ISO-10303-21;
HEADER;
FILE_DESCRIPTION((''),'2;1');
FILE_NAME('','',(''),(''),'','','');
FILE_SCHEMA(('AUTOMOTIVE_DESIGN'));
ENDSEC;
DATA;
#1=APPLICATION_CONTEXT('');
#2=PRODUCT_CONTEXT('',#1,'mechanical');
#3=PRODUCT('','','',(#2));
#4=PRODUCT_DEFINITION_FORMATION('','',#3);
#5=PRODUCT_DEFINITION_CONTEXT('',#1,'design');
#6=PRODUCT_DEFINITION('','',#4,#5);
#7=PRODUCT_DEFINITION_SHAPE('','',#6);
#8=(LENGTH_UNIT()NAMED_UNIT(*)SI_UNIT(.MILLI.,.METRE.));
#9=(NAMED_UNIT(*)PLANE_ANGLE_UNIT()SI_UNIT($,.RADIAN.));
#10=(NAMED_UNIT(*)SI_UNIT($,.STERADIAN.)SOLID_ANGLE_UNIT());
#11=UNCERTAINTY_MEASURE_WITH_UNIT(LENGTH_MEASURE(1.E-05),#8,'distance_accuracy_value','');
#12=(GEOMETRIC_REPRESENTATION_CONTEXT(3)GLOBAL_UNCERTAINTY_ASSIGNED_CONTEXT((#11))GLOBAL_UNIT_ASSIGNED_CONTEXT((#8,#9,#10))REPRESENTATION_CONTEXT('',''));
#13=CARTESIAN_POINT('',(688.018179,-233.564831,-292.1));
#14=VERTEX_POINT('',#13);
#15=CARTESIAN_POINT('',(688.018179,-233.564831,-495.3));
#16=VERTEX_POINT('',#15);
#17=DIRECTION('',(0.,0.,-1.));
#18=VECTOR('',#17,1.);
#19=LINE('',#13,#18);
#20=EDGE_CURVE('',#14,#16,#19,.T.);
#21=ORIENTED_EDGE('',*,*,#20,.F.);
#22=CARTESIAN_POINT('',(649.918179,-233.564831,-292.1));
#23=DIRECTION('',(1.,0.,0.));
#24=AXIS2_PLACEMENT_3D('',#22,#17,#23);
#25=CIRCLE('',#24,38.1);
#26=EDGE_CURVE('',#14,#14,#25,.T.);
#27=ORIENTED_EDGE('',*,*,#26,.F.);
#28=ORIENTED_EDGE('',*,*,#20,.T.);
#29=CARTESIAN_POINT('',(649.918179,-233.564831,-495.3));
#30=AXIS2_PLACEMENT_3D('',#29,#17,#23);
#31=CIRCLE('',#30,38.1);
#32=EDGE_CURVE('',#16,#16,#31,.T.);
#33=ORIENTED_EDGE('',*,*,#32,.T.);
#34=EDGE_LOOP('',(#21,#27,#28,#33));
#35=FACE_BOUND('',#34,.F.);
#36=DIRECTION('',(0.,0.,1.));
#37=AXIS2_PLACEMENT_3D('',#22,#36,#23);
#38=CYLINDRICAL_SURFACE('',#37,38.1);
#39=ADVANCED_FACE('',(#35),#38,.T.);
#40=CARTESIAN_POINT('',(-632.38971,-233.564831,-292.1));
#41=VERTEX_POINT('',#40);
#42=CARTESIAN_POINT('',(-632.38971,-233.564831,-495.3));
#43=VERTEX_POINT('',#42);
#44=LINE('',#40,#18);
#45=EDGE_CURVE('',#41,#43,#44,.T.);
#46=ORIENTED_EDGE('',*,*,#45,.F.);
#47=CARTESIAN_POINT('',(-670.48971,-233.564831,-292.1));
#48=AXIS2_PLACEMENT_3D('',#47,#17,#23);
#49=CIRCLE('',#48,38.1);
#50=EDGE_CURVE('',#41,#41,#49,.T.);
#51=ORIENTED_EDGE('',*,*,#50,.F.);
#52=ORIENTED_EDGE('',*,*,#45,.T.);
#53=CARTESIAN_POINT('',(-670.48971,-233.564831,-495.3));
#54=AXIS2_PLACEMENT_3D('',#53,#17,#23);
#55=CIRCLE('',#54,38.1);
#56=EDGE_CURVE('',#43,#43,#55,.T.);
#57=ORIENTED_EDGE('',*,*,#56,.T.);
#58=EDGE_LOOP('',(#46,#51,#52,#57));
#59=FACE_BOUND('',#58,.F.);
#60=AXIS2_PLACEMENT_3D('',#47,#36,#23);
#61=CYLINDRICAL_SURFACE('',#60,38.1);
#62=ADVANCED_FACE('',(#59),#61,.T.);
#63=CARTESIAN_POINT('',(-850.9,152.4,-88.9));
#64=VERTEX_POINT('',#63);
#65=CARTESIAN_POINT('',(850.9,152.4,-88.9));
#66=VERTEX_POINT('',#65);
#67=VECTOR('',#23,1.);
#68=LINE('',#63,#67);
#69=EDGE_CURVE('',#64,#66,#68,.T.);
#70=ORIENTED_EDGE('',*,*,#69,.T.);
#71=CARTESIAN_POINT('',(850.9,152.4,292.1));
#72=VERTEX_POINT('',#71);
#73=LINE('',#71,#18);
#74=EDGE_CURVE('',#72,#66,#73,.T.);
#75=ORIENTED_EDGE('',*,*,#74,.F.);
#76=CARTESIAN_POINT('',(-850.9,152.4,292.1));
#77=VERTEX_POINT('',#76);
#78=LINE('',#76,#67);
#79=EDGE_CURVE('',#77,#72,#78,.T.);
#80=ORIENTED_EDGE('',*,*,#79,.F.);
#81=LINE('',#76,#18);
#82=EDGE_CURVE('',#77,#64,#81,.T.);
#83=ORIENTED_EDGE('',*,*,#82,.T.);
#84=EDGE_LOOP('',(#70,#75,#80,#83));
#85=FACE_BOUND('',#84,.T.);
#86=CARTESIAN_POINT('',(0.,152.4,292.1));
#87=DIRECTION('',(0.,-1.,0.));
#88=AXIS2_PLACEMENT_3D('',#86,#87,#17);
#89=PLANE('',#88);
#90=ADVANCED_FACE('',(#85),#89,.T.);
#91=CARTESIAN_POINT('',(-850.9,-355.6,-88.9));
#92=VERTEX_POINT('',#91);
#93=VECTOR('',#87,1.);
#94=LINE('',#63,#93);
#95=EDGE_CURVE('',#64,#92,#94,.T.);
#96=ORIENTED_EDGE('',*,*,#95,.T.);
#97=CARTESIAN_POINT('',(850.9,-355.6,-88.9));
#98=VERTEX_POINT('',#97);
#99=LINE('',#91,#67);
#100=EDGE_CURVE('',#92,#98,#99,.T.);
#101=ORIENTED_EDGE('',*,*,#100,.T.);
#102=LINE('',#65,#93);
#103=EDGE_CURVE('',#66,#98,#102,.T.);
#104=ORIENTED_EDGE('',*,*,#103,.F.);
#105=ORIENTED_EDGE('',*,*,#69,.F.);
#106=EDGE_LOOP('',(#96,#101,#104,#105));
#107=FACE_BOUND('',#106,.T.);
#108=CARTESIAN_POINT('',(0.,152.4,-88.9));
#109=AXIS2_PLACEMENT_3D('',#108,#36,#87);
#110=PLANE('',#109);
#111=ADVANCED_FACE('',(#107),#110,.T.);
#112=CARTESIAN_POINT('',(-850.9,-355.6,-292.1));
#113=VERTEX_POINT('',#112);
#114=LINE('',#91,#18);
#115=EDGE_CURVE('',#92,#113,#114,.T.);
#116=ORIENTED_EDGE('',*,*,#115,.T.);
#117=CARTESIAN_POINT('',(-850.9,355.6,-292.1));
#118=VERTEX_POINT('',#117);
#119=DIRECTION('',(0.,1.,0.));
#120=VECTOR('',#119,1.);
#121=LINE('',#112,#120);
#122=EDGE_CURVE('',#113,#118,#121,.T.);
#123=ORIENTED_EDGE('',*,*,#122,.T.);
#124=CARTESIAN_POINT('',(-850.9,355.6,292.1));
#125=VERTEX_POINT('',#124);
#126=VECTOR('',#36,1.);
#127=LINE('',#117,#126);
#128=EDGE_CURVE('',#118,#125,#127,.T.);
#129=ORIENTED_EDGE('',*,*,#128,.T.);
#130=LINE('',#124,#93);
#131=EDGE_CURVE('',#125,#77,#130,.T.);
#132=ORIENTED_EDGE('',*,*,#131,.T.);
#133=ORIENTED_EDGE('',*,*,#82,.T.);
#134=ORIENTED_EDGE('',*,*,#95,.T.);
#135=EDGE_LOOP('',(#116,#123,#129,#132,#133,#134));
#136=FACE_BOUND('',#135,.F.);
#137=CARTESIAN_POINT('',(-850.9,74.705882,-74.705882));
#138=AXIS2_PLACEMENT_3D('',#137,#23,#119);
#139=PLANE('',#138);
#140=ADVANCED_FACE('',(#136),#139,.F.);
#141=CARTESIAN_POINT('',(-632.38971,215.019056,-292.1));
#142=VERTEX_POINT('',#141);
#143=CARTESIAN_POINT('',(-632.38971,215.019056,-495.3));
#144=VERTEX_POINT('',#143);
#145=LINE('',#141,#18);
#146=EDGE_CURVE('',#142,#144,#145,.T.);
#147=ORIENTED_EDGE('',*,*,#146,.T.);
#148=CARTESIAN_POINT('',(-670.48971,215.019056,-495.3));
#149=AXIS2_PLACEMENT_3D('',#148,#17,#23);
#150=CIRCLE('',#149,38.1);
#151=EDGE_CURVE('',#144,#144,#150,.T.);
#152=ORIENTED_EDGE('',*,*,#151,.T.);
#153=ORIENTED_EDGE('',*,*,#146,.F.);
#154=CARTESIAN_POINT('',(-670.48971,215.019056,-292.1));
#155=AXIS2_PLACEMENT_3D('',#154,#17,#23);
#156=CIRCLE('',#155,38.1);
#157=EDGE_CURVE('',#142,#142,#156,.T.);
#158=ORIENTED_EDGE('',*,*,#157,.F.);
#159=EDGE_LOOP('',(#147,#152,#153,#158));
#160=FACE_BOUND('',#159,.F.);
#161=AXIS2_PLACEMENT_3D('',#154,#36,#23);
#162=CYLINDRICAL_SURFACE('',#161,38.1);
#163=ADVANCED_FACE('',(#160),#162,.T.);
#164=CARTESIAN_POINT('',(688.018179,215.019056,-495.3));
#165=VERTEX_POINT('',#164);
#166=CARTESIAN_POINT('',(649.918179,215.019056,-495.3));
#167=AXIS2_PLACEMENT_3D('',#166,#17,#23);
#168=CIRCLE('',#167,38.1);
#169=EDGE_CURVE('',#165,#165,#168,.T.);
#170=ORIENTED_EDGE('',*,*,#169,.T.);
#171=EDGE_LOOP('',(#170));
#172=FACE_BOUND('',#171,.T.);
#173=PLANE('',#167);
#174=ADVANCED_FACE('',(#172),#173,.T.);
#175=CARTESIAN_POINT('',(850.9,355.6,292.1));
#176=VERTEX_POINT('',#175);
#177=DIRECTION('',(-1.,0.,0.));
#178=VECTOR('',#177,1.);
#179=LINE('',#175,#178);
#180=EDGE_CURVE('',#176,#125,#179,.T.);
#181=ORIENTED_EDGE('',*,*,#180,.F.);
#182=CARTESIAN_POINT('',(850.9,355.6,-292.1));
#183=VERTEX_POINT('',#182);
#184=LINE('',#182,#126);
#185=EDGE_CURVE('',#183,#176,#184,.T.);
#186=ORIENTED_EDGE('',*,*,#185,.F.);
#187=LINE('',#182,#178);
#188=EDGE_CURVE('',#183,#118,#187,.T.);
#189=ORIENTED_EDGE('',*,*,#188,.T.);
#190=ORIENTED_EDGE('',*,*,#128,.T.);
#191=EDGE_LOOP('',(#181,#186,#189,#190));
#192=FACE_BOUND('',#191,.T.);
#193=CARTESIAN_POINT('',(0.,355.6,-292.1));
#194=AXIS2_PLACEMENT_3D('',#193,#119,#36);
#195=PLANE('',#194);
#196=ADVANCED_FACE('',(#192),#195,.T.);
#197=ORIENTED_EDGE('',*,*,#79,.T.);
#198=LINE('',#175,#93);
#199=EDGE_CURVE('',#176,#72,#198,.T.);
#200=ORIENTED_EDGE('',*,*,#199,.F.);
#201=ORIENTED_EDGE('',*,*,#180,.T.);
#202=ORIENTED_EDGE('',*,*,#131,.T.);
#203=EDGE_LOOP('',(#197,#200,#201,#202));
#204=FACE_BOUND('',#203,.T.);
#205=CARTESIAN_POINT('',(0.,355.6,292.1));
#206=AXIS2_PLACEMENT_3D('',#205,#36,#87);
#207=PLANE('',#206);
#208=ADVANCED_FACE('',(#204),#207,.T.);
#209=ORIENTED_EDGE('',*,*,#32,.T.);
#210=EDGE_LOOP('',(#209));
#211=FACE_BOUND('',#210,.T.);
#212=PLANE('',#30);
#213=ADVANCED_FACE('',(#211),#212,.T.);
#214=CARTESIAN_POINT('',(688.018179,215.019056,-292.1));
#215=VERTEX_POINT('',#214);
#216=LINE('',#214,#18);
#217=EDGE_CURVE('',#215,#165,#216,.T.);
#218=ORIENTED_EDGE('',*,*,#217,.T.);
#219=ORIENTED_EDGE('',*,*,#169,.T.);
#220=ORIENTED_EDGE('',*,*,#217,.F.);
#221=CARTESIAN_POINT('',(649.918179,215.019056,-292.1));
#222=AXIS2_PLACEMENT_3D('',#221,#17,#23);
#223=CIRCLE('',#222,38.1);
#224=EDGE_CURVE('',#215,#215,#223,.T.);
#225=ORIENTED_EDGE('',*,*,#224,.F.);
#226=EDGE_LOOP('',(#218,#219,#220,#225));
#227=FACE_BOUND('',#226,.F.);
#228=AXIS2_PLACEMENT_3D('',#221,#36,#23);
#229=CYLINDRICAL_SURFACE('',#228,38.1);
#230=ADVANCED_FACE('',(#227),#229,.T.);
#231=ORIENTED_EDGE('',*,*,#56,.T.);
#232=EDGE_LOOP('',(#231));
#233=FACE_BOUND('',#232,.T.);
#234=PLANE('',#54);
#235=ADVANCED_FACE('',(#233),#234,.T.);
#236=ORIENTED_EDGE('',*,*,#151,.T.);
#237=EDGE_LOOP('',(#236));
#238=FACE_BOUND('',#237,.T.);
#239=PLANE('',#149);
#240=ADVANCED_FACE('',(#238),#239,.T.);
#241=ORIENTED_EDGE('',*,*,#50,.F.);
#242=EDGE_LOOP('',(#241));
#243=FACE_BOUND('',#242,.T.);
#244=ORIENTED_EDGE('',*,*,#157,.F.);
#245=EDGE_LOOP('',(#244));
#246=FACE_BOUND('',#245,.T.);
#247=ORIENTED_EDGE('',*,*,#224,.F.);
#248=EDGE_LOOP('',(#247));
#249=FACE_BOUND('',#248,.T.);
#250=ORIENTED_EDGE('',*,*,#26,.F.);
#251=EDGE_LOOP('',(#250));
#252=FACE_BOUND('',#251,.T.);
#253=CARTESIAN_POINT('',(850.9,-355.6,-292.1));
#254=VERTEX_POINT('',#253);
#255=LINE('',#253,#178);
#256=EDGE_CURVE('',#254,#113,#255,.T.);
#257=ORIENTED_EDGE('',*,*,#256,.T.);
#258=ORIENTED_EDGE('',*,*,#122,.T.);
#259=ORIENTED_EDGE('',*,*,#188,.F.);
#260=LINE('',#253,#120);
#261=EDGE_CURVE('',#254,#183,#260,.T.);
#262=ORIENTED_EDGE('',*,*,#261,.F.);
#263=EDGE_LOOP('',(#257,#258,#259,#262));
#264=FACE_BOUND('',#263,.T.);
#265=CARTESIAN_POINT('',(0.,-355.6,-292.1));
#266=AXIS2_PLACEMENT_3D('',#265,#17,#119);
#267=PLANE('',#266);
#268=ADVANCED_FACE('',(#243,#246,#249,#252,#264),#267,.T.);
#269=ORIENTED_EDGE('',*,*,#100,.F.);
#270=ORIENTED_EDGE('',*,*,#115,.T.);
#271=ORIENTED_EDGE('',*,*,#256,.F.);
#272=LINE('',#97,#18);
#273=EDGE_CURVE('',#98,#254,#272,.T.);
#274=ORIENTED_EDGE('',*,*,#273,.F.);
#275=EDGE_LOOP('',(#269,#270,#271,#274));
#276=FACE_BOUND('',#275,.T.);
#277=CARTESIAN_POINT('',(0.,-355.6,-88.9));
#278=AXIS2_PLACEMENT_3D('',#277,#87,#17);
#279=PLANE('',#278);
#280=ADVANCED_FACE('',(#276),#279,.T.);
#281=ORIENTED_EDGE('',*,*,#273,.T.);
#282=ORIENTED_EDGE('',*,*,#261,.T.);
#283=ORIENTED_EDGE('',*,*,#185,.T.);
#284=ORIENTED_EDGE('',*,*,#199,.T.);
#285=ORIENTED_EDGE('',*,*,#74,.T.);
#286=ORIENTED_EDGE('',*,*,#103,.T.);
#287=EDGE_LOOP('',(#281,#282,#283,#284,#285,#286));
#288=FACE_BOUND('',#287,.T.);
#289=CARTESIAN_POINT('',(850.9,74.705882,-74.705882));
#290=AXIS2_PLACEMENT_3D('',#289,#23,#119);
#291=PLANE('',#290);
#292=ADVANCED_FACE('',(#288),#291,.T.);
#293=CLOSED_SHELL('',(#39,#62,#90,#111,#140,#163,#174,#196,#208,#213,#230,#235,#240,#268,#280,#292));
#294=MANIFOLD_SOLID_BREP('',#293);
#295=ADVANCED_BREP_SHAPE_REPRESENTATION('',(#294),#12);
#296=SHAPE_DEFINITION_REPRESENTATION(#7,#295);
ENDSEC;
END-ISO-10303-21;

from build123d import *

# Parameters (mm, degrees)
F1_DEPTH = 850.9
F2_R     = 38.1
F3_DEPTH = 203.2


with BuildPart() as f1:
    # F0 (on Right) → F1 (new body, symmetric)
    with BuildSketch(Plane.YZ):
        Polygon((355.6, 292.1), (152.4, 292.1), (152.4, -88.9), (-355.6, -88.9), (-355.6, -292.1), (355.6, -292.1), align=None)
    extrude(amount=F1_DEPTH, both=True)

    # F2 (on face) → F3 (join)
    with BuildSketch(Plane(origin=(0, 0, -292.1), x_dir=(1, 0, 0), z_dir=(0, 0, -1))):
        with Locations((-670.48971, 233.564831)):
            Circle(F2_R)
        with Locations((-670.48971, -215.019056)):
            Circle(F2_R)
        with Locations((649.918179, -215.019056)):
            Circle(F2_R)
        with Locations((649.918179, 233.564831)):
            Circle(F2_R)
    extrude(amount=F3_DEPTH)


solid = f1.part
